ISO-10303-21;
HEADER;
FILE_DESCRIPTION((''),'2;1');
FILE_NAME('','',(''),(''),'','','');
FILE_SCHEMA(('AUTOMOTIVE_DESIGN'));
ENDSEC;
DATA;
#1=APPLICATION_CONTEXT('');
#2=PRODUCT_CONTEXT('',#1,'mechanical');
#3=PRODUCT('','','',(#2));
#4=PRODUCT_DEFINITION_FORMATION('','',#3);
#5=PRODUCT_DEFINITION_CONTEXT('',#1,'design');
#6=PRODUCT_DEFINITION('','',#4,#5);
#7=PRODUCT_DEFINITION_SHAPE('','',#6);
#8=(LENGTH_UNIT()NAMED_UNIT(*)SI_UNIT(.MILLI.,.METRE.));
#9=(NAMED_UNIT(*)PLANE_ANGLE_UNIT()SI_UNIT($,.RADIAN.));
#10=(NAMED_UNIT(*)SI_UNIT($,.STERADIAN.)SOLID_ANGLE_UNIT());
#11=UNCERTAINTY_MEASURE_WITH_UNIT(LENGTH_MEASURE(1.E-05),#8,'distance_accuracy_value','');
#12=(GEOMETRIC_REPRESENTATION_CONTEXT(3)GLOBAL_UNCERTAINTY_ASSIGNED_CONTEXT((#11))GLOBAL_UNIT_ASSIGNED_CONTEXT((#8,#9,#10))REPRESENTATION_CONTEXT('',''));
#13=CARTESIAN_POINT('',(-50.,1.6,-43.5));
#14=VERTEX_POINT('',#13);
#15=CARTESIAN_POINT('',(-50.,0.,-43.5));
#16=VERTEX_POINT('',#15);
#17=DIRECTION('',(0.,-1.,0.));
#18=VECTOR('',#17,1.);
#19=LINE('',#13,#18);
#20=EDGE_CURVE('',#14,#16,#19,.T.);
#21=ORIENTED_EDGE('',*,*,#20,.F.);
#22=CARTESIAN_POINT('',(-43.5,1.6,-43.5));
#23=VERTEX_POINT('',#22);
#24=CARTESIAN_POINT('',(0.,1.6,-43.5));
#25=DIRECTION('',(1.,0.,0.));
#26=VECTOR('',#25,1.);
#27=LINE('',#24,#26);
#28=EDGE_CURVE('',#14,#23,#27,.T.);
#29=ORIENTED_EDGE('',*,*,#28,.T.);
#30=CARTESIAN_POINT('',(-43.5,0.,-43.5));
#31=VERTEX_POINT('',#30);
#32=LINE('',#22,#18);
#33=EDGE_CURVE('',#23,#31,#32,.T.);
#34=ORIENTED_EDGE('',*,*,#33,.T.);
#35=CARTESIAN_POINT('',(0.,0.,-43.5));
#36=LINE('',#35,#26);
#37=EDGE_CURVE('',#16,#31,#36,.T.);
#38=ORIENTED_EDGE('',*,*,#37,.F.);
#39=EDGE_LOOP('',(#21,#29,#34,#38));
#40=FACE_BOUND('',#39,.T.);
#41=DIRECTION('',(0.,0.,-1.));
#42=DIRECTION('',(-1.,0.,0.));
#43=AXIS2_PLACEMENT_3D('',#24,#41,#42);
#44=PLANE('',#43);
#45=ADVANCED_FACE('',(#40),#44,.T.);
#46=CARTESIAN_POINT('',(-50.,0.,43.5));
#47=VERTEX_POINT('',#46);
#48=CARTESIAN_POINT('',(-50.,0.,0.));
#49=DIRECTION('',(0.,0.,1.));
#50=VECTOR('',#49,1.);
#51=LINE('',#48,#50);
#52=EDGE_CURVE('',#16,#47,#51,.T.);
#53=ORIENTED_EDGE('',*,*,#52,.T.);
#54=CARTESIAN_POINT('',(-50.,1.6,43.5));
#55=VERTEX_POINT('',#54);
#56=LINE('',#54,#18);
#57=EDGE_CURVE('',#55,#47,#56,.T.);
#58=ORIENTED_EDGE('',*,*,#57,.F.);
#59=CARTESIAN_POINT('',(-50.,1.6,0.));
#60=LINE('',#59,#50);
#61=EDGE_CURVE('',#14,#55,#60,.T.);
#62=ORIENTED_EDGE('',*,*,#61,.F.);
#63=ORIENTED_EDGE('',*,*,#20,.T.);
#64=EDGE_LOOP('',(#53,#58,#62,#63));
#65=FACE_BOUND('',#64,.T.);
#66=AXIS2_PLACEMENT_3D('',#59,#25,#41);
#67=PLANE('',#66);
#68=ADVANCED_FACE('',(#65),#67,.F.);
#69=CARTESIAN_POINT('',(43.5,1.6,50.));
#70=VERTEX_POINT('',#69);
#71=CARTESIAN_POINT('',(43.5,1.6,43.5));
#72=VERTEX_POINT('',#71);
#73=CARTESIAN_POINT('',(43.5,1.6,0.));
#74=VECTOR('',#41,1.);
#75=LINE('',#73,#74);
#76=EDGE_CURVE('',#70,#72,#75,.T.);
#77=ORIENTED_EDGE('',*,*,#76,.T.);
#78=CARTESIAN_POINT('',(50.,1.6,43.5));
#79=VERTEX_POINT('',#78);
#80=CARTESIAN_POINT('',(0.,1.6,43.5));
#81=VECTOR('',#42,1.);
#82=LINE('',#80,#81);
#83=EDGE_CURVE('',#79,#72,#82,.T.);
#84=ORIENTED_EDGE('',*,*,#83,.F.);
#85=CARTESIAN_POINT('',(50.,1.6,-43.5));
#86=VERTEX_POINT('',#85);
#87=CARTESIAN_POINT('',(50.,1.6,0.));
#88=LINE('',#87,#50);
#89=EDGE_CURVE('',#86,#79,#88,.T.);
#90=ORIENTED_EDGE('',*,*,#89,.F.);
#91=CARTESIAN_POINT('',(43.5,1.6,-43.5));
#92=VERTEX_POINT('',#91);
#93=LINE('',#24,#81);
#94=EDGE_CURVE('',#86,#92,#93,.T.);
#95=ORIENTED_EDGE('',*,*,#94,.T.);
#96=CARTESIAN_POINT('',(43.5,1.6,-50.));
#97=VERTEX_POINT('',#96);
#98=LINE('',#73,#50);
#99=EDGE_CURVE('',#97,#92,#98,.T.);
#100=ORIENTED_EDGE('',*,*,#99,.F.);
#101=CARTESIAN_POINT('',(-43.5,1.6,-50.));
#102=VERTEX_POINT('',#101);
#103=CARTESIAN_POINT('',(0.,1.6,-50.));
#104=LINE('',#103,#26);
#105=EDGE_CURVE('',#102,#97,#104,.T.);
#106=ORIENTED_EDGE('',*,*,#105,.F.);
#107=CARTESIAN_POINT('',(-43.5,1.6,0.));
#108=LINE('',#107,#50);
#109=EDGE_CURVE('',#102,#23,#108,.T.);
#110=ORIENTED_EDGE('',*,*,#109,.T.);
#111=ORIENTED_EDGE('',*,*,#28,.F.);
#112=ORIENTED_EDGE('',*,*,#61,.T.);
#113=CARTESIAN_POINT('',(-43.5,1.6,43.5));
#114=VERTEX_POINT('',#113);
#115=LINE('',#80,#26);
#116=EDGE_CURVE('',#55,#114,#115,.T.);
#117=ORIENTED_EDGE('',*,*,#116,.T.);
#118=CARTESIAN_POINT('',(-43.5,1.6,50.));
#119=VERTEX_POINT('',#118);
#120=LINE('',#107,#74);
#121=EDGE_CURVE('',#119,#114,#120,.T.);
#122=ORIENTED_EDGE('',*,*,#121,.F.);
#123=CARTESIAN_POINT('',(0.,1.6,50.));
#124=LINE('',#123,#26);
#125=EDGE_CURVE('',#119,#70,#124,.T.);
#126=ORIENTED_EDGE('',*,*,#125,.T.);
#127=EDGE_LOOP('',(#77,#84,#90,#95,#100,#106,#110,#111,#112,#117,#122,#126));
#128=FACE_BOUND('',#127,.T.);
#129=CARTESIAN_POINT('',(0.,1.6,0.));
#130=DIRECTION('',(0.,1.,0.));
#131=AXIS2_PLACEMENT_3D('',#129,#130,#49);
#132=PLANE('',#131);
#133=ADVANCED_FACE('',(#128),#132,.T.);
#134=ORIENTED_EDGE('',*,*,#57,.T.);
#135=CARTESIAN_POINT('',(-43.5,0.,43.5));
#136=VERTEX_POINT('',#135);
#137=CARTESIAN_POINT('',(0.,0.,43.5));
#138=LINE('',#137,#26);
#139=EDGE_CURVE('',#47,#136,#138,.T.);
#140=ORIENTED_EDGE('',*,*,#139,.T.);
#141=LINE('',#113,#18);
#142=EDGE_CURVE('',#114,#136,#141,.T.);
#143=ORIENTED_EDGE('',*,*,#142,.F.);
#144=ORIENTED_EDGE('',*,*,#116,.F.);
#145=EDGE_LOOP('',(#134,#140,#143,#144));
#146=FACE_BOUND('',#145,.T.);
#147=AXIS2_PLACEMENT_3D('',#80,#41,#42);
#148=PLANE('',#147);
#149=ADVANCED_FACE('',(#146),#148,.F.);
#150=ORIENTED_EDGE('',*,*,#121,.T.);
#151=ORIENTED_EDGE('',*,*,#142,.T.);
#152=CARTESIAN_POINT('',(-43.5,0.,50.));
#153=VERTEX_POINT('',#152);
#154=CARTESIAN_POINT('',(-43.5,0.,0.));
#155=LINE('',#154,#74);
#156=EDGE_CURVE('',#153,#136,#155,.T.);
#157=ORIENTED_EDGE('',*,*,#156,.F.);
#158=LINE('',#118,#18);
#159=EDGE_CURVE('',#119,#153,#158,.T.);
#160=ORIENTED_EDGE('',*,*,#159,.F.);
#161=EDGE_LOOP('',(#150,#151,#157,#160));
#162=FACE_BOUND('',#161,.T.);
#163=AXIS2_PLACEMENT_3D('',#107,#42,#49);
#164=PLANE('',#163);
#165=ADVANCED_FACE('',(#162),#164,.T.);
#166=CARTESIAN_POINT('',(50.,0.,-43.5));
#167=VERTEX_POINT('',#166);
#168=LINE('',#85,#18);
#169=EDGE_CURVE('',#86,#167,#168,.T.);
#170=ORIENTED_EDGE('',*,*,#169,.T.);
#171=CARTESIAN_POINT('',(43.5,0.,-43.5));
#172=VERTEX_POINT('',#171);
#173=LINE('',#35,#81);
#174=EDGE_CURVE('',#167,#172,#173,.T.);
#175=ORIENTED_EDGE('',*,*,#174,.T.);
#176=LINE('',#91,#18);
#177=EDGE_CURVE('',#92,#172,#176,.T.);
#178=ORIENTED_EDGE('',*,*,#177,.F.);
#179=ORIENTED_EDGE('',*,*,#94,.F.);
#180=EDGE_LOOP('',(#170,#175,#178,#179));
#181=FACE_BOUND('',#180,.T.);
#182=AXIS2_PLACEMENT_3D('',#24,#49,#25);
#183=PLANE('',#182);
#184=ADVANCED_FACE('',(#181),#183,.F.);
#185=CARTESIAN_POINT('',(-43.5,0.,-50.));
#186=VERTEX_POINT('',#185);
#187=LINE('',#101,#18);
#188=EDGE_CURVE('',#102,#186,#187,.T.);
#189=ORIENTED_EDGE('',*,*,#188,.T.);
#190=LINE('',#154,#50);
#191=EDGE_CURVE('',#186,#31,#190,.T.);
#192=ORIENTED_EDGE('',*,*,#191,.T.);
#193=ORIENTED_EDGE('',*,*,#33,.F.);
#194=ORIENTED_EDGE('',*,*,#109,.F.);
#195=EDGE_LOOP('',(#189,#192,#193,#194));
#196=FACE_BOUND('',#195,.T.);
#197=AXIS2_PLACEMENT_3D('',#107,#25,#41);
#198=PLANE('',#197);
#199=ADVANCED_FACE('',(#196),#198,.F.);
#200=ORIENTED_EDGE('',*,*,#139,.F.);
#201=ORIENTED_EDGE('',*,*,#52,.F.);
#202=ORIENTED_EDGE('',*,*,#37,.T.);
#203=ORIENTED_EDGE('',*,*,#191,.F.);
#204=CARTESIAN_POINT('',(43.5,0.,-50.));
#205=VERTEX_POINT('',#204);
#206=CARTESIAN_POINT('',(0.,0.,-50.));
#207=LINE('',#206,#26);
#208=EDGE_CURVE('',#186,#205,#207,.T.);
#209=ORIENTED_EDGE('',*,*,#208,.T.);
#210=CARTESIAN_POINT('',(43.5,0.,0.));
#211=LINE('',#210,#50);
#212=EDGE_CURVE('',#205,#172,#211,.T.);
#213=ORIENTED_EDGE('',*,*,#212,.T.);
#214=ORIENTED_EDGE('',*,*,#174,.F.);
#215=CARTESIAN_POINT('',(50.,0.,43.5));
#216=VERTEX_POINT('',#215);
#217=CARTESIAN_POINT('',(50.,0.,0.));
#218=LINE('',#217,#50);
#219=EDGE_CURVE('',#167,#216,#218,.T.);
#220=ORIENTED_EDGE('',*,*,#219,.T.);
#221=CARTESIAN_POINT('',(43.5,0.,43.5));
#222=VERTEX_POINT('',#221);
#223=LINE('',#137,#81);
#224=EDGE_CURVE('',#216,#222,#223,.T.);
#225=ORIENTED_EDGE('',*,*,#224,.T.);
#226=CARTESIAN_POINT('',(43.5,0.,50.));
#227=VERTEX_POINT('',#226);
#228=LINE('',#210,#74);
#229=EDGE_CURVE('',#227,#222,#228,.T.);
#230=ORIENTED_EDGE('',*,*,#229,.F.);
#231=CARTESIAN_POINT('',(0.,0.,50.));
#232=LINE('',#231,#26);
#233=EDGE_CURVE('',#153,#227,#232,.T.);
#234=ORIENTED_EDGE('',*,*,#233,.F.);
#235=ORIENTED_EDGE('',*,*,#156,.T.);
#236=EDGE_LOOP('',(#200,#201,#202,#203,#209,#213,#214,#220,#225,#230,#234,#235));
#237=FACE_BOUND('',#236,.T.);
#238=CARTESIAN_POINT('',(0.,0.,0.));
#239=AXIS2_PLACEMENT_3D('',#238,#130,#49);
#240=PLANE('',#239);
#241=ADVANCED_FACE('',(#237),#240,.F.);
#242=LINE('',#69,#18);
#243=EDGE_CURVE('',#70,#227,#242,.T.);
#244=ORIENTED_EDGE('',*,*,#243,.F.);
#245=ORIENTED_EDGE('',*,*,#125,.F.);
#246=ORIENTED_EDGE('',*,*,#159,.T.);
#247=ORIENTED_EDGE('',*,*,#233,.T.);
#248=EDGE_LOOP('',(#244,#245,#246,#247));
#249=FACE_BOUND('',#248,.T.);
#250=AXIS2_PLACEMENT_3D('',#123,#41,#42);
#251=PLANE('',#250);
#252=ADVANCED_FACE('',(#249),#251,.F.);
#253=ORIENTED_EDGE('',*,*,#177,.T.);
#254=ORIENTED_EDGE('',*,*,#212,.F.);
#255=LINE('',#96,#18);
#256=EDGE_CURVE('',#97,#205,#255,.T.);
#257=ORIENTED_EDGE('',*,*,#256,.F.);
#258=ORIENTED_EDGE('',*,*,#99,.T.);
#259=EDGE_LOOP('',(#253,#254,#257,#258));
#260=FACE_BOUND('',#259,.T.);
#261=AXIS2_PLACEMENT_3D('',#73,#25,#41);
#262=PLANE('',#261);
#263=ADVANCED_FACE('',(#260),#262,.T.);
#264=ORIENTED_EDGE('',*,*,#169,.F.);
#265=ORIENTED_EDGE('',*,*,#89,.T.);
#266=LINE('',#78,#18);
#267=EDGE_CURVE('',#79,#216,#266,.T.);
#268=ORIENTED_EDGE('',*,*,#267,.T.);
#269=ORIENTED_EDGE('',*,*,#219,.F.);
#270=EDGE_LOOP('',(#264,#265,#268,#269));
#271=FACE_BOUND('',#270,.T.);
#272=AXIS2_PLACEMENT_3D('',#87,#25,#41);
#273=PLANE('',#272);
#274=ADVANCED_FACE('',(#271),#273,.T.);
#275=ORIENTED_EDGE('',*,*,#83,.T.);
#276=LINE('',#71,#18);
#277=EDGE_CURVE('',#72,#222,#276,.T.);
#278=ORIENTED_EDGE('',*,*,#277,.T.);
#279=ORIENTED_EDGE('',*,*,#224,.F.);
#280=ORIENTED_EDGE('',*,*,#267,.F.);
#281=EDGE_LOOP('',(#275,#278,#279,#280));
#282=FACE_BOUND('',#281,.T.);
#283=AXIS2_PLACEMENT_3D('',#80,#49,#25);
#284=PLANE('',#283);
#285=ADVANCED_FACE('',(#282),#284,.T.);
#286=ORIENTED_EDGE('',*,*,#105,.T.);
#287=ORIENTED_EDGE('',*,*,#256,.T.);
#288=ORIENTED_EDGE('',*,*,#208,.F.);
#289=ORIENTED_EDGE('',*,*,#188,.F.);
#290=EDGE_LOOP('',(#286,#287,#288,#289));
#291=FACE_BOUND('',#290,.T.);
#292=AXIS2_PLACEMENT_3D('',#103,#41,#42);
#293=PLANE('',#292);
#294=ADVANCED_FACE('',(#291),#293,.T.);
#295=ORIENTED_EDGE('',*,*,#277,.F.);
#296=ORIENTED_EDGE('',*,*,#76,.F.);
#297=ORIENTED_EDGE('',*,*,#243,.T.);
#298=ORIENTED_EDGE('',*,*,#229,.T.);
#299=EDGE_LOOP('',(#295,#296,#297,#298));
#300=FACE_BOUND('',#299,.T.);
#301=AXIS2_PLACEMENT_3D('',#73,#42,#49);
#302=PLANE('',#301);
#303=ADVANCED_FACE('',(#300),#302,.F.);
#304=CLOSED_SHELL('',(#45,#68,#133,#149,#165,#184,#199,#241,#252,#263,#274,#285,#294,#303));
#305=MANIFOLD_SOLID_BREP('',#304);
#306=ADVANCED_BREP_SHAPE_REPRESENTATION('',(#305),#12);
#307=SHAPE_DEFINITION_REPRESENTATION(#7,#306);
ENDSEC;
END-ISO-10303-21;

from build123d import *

# Parameters (mm, degrees)
BOSS_EXTRUDE1_DEPTH = 1.6


with BuildPart() as part:
    # Sketch1 → Boss-Extrude1 (new body)
    with BuildSketch(Plane(origin=(0, 0, 0), x_dir=(1, 0, 0), z_dir=(0, 1, 0))):
        Polygon((43.5, 50), (-43.5, 50), (-43.5, 43.5), (-50, 43.5), (-50, -43.5), (-43.5, -43.5), (-43.5, -50), (43.5, -50), (43.5, -43.5), (50, -43.5), (50, 43.5), (43.5, 43.5), align=None)
    extrude(amount=BOSS_EXTRUDE1_DEPTH)


solid = part.part
